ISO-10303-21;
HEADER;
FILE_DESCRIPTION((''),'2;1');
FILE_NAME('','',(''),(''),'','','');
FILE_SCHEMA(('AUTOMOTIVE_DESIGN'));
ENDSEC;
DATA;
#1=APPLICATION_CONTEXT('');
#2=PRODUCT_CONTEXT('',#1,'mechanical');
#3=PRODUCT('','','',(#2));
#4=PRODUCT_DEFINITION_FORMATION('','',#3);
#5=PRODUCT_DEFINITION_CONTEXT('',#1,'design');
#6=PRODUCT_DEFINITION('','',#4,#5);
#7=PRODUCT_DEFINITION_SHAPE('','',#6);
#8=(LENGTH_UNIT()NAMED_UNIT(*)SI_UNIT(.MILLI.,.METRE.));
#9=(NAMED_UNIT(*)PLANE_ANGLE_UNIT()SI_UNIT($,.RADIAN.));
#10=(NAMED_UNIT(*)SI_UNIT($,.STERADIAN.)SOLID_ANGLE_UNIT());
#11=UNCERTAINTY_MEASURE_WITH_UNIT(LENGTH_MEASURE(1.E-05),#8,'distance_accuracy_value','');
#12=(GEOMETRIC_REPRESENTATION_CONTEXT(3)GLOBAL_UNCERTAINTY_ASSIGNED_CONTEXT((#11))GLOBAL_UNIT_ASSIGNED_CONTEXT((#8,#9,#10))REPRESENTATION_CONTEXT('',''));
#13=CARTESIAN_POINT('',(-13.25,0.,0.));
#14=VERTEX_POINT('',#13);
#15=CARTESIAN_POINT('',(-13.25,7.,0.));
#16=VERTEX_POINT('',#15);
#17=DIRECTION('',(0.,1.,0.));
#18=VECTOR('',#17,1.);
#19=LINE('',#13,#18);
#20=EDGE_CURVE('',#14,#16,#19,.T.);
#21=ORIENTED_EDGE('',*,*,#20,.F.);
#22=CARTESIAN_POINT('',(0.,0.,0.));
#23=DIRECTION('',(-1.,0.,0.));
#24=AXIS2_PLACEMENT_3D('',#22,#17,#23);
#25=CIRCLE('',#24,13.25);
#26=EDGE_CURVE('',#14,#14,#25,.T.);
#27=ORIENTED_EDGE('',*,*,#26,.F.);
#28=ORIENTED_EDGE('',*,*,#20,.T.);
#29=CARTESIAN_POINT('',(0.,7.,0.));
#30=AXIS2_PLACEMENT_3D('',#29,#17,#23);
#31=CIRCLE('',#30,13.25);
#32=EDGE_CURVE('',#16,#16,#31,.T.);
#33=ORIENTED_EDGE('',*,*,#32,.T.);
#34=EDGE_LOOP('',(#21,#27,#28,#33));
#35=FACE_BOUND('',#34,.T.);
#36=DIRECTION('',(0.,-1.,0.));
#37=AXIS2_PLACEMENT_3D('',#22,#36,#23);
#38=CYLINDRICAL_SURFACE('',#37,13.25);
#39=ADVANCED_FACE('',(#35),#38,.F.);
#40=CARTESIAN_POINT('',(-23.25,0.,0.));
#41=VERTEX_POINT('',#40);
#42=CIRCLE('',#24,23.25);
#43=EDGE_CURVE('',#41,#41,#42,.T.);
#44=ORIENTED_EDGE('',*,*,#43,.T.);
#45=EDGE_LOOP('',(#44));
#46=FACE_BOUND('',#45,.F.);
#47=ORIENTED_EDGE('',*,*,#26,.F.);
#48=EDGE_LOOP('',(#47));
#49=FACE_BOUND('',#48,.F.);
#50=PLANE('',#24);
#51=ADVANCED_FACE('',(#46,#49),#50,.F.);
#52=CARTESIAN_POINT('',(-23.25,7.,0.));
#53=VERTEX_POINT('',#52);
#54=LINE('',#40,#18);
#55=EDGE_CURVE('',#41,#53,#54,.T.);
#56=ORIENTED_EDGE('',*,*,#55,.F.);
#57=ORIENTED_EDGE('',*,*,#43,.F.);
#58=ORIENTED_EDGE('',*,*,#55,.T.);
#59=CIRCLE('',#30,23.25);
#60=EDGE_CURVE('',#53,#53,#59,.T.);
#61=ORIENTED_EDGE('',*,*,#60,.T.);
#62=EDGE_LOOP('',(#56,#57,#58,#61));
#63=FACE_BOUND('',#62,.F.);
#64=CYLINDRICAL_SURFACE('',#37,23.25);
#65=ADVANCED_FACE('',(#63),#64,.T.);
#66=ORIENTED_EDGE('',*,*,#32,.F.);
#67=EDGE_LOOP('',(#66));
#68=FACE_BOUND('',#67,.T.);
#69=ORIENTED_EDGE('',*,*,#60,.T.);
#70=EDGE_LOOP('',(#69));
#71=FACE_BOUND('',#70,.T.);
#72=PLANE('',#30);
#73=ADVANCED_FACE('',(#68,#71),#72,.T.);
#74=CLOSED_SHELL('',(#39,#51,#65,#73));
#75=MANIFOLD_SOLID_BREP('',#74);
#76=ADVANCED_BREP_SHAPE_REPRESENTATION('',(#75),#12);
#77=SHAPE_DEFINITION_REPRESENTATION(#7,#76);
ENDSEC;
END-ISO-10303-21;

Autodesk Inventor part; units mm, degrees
ref_plane "YZ Plane" through (0, 0, 0) normal (1, 0, 0) x (0, 1, 0)
ref_plane "XZ Plane" through (0, 0, 0) normal (0, 1, 0) x (-1, 0, 0)
ref_plane "XY Plane" through (0, 0, 0) normal (0, 0, 1) x (1, 0, 0)
sketch "Sketch1" plane through (0, 0, 0) normal (0, 1, 0) x (-1, 0, 0)
  circle A0 centre (0, 0) radius 13.25
  circle A1 centre (0, 0) radius 23.25
  dimension "d0" = 26.5
  dimension "d1" = 10
extrude "Extrusion1" add sketch "Sketch1" along normal blind 7
properties part number "pole_ring_v1"
